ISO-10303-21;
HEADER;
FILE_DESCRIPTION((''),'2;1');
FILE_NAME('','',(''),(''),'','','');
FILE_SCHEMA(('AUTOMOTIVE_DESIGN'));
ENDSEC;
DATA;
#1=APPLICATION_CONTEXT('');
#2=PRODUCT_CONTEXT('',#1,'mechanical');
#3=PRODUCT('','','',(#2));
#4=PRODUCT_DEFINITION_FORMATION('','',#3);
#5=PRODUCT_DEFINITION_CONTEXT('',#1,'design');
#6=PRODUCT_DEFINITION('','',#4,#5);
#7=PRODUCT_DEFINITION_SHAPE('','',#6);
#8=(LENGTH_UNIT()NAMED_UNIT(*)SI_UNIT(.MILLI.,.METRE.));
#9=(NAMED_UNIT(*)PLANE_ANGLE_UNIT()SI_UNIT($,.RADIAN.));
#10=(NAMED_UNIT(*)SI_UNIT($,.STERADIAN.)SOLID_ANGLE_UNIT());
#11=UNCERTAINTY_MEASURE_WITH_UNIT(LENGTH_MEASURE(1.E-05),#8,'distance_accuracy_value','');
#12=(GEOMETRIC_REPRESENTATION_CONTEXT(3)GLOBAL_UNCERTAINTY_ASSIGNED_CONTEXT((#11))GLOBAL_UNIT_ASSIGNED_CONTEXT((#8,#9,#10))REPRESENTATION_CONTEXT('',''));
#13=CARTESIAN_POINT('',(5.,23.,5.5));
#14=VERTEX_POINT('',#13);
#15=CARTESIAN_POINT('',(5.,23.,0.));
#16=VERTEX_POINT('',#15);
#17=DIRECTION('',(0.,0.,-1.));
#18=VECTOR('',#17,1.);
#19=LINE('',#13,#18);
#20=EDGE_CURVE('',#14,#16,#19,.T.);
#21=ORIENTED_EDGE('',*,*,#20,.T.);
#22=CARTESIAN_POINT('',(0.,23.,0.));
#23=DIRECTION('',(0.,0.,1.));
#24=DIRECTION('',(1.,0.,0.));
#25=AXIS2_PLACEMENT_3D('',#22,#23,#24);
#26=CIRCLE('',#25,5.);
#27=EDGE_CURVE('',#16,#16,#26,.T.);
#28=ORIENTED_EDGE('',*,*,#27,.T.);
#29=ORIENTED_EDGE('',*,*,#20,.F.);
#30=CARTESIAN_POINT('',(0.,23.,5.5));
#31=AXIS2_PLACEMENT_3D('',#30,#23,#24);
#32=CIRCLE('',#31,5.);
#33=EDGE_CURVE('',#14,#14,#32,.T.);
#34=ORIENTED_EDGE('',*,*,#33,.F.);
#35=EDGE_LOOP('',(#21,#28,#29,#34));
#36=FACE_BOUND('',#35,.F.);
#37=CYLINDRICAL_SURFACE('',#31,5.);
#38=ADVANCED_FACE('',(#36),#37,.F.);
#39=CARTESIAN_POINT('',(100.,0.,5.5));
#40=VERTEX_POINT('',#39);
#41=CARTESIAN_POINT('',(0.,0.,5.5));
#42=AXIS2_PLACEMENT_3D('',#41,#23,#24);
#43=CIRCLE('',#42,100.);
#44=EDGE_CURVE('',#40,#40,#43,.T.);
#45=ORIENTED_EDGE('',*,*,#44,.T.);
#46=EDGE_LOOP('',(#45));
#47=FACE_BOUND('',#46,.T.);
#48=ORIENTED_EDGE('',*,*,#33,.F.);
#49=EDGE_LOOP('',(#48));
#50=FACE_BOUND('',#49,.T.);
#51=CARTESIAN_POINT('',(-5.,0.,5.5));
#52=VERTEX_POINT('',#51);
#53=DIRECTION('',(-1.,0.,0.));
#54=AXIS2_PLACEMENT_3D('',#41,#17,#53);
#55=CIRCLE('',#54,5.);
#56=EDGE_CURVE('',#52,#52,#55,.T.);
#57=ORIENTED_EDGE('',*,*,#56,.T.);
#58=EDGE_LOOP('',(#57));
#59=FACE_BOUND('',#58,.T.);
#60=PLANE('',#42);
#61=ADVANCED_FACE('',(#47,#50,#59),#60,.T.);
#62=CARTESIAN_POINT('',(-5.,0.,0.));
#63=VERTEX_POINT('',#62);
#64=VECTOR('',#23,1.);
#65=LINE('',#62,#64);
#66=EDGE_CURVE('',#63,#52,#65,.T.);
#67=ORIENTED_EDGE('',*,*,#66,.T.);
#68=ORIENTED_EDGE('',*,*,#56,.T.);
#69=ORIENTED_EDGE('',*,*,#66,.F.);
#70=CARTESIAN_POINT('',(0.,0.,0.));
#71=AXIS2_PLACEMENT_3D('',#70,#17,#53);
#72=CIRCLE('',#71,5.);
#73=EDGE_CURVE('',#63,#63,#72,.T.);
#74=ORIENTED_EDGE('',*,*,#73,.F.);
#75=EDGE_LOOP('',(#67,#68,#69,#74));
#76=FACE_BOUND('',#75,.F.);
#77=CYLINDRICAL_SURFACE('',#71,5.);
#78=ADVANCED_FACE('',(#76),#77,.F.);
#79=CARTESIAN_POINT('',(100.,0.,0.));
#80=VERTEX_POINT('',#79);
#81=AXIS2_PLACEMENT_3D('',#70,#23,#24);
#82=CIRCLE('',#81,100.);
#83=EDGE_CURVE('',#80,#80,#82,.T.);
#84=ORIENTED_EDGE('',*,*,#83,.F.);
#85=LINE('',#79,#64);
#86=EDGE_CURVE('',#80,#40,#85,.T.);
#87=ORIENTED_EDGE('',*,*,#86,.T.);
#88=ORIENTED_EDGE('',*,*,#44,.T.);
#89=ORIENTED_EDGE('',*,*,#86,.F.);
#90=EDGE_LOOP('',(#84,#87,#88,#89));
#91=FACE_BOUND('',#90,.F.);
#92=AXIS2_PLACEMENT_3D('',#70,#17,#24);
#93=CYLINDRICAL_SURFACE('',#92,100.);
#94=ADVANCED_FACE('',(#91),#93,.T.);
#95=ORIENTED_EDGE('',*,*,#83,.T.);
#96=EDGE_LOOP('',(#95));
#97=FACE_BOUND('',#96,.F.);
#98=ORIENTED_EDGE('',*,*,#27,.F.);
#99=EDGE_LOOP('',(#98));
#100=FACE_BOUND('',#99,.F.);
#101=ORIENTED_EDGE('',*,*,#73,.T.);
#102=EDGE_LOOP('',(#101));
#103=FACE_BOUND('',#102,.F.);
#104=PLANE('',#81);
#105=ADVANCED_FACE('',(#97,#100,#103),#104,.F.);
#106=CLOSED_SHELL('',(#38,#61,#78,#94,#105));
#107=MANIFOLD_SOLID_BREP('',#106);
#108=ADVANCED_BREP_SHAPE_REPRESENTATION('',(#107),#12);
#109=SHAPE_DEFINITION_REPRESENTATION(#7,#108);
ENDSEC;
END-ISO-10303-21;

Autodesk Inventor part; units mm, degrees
ref_plane "YZ Plane" through (0, 0, 0) normal (1, 0, 0) x (0, 1, 0)
ref_plane "XZ Plane" through (0, 0, 0) normal (0, 1, 0) x (-1, 0, 0)
ref_plane "XY Plane" through (0, 0, 0) normal (0, 0, 1) x (1, 0, 0)
sketch "Sketch1" plane through (0, 0, 0) normal (0, 0, 1) x (1, 0, 0)
  circle A0 centre (0, 0) radius 100
  dimension "d8" = 200
extrude "Extrusion1" add sketch "Sketch1" along normal blind 5.5
sketch "Sketch2" plane through (0, 0, 5.5) normal (0, 0, 1) x (1, 0, 0)
  circle A0 centre (0, 23) radius 5
  point P0 (0, 0)
  dimension "d2" = 10
  dimension "d9" = 23
extrude "Extrusion2" cut sketch "Sketch2" against normal blind 100
sketch "Sketch3" plane through (0, 0, 0) normal (0, 0, -1) x (-1, 0, 0)
  circle A0 centre (0, 0) radius 5
  dimension "d5" = 10
extrude "Extrusion3" cut sketch "Sketch3" against normal blind 10
properties part number "pulley"
